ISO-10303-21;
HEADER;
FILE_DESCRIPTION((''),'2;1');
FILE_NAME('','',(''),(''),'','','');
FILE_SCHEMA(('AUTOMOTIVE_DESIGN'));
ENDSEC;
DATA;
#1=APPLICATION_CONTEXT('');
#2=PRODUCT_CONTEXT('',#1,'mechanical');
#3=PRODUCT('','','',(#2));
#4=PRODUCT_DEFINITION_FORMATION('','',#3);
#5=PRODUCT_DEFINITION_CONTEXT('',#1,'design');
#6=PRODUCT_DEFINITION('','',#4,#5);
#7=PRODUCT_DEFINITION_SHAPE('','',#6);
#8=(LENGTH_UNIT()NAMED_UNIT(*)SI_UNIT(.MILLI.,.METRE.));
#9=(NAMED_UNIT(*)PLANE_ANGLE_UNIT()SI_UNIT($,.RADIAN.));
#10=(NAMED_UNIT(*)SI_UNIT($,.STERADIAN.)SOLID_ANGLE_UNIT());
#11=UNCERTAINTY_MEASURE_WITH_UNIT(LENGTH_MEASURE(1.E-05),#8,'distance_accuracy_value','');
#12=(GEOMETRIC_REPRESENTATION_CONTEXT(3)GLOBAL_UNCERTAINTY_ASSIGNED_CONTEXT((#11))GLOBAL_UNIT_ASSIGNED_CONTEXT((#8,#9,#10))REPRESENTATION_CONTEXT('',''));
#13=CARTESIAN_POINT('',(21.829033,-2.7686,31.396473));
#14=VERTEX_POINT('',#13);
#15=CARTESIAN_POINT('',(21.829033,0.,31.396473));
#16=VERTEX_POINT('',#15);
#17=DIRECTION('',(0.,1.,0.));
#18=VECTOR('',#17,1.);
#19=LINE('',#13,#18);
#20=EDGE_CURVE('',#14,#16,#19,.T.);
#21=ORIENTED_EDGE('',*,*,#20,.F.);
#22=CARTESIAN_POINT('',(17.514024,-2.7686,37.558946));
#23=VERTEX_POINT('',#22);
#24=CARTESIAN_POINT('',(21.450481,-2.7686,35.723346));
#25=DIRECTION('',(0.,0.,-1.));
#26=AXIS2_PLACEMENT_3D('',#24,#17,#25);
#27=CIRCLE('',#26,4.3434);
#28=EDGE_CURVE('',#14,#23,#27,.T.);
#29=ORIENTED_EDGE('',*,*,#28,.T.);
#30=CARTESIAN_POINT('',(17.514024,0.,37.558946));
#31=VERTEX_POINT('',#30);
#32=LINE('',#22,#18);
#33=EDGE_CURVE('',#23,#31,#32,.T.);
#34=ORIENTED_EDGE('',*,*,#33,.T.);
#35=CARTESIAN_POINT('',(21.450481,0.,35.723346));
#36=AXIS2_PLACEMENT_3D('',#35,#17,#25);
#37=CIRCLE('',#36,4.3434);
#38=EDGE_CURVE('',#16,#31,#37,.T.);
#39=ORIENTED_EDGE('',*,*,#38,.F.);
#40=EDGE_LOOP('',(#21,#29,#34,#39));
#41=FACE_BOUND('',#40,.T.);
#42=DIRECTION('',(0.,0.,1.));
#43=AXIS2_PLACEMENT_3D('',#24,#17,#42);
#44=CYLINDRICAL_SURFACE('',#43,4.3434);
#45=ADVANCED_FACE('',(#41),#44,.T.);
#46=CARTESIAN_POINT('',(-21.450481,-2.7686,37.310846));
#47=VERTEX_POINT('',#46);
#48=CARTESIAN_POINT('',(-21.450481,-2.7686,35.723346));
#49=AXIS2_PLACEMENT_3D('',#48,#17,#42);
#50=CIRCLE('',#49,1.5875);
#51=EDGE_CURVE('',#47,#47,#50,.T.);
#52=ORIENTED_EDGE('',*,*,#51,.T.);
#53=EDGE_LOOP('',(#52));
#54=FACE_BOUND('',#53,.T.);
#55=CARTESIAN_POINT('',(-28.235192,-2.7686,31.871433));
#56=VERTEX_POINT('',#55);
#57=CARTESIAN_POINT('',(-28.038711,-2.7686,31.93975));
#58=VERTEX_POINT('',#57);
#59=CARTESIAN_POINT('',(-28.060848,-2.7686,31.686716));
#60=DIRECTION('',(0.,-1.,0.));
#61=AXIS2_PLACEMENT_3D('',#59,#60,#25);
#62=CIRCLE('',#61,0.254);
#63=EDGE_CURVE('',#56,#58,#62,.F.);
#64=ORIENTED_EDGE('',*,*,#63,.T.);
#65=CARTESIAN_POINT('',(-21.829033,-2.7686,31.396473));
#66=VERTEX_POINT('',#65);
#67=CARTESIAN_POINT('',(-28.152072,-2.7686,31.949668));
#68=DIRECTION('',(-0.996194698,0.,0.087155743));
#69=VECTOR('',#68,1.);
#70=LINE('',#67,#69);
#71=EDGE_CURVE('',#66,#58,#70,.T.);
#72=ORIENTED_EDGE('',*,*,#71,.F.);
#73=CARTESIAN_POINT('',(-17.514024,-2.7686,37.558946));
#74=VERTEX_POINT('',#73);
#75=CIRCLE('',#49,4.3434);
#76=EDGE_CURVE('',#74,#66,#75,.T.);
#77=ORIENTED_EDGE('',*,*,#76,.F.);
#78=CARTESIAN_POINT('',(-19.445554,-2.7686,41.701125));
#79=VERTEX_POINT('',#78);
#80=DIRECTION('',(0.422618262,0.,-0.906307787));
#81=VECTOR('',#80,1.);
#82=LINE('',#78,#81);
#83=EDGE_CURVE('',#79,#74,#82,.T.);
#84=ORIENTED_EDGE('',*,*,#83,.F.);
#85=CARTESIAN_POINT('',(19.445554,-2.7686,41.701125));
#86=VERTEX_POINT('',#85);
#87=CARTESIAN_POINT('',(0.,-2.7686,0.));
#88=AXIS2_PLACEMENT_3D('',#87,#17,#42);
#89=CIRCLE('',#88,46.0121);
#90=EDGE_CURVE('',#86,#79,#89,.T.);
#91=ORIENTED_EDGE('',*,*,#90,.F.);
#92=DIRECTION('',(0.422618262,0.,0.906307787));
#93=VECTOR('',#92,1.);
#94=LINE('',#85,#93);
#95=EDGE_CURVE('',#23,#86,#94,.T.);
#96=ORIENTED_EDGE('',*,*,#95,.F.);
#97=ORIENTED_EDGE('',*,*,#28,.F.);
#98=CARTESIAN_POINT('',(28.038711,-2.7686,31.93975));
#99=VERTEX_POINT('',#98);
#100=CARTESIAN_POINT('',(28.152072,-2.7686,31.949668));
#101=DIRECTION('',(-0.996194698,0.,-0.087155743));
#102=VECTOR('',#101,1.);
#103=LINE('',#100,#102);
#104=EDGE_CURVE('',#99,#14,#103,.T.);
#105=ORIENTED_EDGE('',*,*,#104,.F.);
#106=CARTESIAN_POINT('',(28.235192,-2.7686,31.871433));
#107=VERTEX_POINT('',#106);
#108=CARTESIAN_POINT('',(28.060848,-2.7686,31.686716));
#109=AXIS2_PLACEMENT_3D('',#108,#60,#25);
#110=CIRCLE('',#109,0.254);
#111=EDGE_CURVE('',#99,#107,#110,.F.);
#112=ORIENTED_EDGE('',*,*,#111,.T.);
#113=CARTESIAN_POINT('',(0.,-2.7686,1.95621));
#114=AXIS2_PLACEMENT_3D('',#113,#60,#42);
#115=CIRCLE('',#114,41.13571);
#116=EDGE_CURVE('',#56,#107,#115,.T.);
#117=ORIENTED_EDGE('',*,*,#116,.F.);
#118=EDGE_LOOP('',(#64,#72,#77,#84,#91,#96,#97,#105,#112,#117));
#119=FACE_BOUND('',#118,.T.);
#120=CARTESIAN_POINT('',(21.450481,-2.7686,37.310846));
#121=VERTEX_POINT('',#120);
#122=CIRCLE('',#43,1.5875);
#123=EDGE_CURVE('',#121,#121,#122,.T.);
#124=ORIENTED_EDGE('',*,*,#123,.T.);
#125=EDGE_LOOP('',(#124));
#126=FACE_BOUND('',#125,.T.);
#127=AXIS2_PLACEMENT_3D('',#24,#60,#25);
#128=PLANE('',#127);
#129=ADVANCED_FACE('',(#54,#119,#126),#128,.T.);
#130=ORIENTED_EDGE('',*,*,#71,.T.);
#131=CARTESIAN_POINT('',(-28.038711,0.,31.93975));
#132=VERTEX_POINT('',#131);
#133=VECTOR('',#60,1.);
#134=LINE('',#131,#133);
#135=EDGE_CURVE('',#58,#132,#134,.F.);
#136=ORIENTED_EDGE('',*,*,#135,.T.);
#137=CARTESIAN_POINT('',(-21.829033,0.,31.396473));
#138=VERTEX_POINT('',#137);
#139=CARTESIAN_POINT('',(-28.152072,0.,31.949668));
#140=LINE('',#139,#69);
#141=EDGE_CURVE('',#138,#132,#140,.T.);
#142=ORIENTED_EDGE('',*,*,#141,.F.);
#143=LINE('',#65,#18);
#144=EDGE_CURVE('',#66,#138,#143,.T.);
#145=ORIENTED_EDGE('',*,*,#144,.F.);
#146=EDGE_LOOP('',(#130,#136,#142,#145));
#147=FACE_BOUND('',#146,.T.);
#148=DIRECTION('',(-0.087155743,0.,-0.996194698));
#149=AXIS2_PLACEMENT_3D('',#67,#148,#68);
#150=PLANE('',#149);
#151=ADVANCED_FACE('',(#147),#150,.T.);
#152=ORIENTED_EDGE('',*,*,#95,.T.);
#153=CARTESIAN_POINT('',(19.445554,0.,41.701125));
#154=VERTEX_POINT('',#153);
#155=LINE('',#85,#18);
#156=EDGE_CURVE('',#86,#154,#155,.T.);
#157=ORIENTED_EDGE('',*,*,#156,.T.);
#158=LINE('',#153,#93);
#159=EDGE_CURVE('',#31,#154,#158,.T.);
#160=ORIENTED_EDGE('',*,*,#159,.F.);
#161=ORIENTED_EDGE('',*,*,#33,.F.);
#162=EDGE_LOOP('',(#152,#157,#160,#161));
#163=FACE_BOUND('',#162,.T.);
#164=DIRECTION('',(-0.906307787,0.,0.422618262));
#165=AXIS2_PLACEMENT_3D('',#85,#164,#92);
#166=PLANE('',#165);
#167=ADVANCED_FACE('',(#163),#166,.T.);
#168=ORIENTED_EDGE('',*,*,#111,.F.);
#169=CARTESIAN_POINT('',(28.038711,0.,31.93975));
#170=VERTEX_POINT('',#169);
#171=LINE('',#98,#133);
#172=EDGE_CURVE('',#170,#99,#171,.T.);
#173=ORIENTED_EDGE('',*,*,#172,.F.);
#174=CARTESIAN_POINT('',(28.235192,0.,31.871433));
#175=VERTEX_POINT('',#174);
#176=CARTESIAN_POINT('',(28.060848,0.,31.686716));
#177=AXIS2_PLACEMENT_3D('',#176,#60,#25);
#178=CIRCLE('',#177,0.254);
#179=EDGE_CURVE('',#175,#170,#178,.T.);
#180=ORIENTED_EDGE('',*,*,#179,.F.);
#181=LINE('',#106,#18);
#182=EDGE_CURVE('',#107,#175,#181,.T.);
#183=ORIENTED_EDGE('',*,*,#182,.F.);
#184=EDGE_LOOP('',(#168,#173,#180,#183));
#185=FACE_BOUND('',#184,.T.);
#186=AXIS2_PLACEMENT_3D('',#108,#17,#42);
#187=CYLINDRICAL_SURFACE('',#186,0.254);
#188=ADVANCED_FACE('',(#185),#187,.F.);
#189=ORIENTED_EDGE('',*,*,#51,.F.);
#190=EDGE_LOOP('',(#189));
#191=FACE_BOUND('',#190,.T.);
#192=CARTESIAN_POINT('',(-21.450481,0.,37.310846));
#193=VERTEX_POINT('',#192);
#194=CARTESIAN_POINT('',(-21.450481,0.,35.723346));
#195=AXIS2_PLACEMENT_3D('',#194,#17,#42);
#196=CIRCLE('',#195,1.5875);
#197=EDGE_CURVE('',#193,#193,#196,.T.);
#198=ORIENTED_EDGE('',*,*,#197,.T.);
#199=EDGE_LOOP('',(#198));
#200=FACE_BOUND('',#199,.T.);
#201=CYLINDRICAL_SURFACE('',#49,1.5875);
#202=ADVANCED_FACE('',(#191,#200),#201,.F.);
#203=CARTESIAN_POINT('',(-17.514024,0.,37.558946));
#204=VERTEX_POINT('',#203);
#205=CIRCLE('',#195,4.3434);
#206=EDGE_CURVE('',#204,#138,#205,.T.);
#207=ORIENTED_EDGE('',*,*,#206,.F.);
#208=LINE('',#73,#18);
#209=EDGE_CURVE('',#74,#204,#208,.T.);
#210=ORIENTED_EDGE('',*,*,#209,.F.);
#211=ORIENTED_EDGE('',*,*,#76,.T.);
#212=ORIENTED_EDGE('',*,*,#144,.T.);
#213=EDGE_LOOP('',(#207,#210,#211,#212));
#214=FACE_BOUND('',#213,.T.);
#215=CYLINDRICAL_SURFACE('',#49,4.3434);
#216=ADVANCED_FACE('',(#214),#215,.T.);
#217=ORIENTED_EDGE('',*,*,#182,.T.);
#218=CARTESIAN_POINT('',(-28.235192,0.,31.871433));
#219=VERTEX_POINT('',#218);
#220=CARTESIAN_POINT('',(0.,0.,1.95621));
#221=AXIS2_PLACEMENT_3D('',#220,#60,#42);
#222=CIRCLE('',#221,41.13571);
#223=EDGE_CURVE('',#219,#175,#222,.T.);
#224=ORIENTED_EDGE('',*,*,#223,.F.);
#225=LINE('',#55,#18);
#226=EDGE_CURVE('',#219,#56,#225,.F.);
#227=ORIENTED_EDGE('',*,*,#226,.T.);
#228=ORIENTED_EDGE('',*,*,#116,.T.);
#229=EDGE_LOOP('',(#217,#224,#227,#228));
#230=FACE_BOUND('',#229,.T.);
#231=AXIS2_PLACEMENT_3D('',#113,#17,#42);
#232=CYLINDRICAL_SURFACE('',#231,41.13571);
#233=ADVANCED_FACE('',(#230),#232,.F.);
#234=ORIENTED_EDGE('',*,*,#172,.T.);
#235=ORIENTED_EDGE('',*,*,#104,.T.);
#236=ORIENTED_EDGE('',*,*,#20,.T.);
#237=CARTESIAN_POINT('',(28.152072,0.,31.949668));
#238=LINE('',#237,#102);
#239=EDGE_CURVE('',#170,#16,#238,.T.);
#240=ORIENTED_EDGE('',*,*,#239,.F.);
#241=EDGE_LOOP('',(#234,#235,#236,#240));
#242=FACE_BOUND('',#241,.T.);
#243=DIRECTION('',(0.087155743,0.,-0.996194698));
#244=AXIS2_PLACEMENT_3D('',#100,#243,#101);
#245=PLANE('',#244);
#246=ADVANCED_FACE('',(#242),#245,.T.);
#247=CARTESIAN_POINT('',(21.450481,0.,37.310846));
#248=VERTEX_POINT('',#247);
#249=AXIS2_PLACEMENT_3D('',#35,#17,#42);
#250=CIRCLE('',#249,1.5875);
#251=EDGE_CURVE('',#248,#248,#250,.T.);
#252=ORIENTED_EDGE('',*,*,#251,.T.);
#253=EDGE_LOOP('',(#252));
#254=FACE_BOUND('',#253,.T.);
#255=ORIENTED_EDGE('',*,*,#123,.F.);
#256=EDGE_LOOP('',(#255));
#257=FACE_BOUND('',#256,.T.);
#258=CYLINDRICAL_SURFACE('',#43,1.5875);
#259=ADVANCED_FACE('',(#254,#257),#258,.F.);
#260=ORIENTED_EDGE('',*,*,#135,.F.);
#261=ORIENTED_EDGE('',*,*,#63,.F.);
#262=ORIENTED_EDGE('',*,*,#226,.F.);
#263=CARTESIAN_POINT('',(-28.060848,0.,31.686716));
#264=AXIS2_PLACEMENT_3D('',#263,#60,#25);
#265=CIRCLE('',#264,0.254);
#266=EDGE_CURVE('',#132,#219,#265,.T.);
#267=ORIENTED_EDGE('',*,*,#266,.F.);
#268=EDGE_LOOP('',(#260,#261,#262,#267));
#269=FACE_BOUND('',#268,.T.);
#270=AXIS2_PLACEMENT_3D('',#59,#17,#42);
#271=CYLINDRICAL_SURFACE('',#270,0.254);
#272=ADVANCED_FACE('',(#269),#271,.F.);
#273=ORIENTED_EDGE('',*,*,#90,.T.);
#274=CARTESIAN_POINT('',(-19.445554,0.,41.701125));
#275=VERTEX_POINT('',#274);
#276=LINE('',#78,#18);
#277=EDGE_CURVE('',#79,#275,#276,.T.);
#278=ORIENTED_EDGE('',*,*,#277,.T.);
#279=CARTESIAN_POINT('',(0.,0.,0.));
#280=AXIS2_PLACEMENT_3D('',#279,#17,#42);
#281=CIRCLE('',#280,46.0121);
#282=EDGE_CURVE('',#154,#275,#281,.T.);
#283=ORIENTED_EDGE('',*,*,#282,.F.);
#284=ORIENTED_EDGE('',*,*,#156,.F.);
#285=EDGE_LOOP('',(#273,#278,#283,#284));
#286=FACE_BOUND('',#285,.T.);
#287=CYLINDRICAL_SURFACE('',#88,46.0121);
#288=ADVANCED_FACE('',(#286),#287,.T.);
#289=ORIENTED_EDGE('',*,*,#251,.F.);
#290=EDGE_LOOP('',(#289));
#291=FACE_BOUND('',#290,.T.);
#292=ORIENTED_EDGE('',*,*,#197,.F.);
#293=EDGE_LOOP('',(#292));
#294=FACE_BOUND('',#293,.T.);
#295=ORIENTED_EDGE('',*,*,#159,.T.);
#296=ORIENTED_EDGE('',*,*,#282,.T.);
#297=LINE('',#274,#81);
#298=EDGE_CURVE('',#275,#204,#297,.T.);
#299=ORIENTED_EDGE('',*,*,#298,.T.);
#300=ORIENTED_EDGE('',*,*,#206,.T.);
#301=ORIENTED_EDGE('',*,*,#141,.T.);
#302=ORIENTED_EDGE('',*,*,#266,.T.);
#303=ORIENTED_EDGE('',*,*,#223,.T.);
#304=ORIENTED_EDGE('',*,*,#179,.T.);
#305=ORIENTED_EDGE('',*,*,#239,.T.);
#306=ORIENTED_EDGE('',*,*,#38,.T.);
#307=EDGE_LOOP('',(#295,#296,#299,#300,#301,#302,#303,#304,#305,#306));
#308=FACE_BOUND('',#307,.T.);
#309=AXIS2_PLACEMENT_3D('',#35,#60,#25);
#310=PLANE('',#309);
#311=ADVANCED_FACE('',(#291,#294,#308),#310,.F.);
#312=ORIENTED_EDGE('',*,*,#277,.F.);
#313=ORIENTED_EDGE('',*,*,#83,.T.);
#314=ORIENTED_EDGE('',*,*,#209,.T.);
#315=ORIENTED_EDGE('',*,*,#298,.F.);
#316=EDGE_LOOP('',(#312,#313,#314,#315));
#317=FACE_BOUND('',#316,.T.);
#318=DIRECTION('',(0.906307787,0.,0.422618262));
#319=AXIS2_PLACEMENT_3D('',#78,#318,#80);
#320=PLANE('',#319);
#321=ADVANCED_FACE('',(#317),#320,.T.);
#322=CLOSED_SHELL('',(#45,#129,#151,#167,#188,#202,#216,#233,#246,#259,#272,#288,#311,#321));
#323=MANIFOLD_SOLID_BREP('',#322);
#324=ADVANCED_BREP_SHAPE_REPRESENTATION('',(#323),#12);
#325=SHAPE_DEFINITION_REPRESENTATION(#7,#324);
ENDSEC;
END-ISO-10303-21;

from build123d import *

# Parameters (mm, degrees)
SKETCH2_R      = 1.5875
EXTRUDE1_DEPTH = 2.7686
FILLET1_R      = 0.254


with BuildPart() as part:
    # Sketch2 → Extrude1 (new body)
    with BuildSketch(Plane(origin=(0, 0, 0), x_dir=(1, 0, 0), z_dir=(0, 1, 0))):
        with BuildLine():
            Line((19.445553721, -41.701124528), (17.514023997, -37.558945667))
            ThreePointArc((17.514023997, -37.558945667), (17.89257625, -33.232073615), (21.829033492, -31.396473457))
            Line((21.829033492, -31.396473457), (28.152071759, -31.949667624))
            ThreePointArc((28.152071759, -31.949667624), (0, 39.1795), (-28.152071759, -31.949667624))
            Line((-28.152071759, -31.949667624), (-21.829033492, -31.396473457))
            ThreePointArc((-21.829033492, -31.396473457), (-17.89257625, -33.232073615), (-17.514023997, -37.558945667))
            Line((-17.514023997, -37.558945667), (-19.445553721, -41.701124528))
            ThreePointArc((-19.445553721, -41.701124528), (0, 46.0121), (19.445553721, -41.701124528))
        make_face()
        with Locations((21.450481239, -35.723345508)):
            Circle(SKETCH2_R, mode=Mode.SUBTRACT)
        with Locations((-21.450481239, -35.723345508)):
            Circle(SKETCH2_R, mode=Mode.SUBTRACT)
    extrude(amount=-EXTRUDE1_DEPTH)

    # Fillet1
    fillet1_edges = [part.edges().sort_by_distance(p)[0] for p in [
        (28.152071759, -1.3843, 31.949667624),
        (-28.152071759, -1.3843, 31.949667624),
    ]]
    fillet(fillet1_edges, radius=FILLET1_R)


solid = part.part
